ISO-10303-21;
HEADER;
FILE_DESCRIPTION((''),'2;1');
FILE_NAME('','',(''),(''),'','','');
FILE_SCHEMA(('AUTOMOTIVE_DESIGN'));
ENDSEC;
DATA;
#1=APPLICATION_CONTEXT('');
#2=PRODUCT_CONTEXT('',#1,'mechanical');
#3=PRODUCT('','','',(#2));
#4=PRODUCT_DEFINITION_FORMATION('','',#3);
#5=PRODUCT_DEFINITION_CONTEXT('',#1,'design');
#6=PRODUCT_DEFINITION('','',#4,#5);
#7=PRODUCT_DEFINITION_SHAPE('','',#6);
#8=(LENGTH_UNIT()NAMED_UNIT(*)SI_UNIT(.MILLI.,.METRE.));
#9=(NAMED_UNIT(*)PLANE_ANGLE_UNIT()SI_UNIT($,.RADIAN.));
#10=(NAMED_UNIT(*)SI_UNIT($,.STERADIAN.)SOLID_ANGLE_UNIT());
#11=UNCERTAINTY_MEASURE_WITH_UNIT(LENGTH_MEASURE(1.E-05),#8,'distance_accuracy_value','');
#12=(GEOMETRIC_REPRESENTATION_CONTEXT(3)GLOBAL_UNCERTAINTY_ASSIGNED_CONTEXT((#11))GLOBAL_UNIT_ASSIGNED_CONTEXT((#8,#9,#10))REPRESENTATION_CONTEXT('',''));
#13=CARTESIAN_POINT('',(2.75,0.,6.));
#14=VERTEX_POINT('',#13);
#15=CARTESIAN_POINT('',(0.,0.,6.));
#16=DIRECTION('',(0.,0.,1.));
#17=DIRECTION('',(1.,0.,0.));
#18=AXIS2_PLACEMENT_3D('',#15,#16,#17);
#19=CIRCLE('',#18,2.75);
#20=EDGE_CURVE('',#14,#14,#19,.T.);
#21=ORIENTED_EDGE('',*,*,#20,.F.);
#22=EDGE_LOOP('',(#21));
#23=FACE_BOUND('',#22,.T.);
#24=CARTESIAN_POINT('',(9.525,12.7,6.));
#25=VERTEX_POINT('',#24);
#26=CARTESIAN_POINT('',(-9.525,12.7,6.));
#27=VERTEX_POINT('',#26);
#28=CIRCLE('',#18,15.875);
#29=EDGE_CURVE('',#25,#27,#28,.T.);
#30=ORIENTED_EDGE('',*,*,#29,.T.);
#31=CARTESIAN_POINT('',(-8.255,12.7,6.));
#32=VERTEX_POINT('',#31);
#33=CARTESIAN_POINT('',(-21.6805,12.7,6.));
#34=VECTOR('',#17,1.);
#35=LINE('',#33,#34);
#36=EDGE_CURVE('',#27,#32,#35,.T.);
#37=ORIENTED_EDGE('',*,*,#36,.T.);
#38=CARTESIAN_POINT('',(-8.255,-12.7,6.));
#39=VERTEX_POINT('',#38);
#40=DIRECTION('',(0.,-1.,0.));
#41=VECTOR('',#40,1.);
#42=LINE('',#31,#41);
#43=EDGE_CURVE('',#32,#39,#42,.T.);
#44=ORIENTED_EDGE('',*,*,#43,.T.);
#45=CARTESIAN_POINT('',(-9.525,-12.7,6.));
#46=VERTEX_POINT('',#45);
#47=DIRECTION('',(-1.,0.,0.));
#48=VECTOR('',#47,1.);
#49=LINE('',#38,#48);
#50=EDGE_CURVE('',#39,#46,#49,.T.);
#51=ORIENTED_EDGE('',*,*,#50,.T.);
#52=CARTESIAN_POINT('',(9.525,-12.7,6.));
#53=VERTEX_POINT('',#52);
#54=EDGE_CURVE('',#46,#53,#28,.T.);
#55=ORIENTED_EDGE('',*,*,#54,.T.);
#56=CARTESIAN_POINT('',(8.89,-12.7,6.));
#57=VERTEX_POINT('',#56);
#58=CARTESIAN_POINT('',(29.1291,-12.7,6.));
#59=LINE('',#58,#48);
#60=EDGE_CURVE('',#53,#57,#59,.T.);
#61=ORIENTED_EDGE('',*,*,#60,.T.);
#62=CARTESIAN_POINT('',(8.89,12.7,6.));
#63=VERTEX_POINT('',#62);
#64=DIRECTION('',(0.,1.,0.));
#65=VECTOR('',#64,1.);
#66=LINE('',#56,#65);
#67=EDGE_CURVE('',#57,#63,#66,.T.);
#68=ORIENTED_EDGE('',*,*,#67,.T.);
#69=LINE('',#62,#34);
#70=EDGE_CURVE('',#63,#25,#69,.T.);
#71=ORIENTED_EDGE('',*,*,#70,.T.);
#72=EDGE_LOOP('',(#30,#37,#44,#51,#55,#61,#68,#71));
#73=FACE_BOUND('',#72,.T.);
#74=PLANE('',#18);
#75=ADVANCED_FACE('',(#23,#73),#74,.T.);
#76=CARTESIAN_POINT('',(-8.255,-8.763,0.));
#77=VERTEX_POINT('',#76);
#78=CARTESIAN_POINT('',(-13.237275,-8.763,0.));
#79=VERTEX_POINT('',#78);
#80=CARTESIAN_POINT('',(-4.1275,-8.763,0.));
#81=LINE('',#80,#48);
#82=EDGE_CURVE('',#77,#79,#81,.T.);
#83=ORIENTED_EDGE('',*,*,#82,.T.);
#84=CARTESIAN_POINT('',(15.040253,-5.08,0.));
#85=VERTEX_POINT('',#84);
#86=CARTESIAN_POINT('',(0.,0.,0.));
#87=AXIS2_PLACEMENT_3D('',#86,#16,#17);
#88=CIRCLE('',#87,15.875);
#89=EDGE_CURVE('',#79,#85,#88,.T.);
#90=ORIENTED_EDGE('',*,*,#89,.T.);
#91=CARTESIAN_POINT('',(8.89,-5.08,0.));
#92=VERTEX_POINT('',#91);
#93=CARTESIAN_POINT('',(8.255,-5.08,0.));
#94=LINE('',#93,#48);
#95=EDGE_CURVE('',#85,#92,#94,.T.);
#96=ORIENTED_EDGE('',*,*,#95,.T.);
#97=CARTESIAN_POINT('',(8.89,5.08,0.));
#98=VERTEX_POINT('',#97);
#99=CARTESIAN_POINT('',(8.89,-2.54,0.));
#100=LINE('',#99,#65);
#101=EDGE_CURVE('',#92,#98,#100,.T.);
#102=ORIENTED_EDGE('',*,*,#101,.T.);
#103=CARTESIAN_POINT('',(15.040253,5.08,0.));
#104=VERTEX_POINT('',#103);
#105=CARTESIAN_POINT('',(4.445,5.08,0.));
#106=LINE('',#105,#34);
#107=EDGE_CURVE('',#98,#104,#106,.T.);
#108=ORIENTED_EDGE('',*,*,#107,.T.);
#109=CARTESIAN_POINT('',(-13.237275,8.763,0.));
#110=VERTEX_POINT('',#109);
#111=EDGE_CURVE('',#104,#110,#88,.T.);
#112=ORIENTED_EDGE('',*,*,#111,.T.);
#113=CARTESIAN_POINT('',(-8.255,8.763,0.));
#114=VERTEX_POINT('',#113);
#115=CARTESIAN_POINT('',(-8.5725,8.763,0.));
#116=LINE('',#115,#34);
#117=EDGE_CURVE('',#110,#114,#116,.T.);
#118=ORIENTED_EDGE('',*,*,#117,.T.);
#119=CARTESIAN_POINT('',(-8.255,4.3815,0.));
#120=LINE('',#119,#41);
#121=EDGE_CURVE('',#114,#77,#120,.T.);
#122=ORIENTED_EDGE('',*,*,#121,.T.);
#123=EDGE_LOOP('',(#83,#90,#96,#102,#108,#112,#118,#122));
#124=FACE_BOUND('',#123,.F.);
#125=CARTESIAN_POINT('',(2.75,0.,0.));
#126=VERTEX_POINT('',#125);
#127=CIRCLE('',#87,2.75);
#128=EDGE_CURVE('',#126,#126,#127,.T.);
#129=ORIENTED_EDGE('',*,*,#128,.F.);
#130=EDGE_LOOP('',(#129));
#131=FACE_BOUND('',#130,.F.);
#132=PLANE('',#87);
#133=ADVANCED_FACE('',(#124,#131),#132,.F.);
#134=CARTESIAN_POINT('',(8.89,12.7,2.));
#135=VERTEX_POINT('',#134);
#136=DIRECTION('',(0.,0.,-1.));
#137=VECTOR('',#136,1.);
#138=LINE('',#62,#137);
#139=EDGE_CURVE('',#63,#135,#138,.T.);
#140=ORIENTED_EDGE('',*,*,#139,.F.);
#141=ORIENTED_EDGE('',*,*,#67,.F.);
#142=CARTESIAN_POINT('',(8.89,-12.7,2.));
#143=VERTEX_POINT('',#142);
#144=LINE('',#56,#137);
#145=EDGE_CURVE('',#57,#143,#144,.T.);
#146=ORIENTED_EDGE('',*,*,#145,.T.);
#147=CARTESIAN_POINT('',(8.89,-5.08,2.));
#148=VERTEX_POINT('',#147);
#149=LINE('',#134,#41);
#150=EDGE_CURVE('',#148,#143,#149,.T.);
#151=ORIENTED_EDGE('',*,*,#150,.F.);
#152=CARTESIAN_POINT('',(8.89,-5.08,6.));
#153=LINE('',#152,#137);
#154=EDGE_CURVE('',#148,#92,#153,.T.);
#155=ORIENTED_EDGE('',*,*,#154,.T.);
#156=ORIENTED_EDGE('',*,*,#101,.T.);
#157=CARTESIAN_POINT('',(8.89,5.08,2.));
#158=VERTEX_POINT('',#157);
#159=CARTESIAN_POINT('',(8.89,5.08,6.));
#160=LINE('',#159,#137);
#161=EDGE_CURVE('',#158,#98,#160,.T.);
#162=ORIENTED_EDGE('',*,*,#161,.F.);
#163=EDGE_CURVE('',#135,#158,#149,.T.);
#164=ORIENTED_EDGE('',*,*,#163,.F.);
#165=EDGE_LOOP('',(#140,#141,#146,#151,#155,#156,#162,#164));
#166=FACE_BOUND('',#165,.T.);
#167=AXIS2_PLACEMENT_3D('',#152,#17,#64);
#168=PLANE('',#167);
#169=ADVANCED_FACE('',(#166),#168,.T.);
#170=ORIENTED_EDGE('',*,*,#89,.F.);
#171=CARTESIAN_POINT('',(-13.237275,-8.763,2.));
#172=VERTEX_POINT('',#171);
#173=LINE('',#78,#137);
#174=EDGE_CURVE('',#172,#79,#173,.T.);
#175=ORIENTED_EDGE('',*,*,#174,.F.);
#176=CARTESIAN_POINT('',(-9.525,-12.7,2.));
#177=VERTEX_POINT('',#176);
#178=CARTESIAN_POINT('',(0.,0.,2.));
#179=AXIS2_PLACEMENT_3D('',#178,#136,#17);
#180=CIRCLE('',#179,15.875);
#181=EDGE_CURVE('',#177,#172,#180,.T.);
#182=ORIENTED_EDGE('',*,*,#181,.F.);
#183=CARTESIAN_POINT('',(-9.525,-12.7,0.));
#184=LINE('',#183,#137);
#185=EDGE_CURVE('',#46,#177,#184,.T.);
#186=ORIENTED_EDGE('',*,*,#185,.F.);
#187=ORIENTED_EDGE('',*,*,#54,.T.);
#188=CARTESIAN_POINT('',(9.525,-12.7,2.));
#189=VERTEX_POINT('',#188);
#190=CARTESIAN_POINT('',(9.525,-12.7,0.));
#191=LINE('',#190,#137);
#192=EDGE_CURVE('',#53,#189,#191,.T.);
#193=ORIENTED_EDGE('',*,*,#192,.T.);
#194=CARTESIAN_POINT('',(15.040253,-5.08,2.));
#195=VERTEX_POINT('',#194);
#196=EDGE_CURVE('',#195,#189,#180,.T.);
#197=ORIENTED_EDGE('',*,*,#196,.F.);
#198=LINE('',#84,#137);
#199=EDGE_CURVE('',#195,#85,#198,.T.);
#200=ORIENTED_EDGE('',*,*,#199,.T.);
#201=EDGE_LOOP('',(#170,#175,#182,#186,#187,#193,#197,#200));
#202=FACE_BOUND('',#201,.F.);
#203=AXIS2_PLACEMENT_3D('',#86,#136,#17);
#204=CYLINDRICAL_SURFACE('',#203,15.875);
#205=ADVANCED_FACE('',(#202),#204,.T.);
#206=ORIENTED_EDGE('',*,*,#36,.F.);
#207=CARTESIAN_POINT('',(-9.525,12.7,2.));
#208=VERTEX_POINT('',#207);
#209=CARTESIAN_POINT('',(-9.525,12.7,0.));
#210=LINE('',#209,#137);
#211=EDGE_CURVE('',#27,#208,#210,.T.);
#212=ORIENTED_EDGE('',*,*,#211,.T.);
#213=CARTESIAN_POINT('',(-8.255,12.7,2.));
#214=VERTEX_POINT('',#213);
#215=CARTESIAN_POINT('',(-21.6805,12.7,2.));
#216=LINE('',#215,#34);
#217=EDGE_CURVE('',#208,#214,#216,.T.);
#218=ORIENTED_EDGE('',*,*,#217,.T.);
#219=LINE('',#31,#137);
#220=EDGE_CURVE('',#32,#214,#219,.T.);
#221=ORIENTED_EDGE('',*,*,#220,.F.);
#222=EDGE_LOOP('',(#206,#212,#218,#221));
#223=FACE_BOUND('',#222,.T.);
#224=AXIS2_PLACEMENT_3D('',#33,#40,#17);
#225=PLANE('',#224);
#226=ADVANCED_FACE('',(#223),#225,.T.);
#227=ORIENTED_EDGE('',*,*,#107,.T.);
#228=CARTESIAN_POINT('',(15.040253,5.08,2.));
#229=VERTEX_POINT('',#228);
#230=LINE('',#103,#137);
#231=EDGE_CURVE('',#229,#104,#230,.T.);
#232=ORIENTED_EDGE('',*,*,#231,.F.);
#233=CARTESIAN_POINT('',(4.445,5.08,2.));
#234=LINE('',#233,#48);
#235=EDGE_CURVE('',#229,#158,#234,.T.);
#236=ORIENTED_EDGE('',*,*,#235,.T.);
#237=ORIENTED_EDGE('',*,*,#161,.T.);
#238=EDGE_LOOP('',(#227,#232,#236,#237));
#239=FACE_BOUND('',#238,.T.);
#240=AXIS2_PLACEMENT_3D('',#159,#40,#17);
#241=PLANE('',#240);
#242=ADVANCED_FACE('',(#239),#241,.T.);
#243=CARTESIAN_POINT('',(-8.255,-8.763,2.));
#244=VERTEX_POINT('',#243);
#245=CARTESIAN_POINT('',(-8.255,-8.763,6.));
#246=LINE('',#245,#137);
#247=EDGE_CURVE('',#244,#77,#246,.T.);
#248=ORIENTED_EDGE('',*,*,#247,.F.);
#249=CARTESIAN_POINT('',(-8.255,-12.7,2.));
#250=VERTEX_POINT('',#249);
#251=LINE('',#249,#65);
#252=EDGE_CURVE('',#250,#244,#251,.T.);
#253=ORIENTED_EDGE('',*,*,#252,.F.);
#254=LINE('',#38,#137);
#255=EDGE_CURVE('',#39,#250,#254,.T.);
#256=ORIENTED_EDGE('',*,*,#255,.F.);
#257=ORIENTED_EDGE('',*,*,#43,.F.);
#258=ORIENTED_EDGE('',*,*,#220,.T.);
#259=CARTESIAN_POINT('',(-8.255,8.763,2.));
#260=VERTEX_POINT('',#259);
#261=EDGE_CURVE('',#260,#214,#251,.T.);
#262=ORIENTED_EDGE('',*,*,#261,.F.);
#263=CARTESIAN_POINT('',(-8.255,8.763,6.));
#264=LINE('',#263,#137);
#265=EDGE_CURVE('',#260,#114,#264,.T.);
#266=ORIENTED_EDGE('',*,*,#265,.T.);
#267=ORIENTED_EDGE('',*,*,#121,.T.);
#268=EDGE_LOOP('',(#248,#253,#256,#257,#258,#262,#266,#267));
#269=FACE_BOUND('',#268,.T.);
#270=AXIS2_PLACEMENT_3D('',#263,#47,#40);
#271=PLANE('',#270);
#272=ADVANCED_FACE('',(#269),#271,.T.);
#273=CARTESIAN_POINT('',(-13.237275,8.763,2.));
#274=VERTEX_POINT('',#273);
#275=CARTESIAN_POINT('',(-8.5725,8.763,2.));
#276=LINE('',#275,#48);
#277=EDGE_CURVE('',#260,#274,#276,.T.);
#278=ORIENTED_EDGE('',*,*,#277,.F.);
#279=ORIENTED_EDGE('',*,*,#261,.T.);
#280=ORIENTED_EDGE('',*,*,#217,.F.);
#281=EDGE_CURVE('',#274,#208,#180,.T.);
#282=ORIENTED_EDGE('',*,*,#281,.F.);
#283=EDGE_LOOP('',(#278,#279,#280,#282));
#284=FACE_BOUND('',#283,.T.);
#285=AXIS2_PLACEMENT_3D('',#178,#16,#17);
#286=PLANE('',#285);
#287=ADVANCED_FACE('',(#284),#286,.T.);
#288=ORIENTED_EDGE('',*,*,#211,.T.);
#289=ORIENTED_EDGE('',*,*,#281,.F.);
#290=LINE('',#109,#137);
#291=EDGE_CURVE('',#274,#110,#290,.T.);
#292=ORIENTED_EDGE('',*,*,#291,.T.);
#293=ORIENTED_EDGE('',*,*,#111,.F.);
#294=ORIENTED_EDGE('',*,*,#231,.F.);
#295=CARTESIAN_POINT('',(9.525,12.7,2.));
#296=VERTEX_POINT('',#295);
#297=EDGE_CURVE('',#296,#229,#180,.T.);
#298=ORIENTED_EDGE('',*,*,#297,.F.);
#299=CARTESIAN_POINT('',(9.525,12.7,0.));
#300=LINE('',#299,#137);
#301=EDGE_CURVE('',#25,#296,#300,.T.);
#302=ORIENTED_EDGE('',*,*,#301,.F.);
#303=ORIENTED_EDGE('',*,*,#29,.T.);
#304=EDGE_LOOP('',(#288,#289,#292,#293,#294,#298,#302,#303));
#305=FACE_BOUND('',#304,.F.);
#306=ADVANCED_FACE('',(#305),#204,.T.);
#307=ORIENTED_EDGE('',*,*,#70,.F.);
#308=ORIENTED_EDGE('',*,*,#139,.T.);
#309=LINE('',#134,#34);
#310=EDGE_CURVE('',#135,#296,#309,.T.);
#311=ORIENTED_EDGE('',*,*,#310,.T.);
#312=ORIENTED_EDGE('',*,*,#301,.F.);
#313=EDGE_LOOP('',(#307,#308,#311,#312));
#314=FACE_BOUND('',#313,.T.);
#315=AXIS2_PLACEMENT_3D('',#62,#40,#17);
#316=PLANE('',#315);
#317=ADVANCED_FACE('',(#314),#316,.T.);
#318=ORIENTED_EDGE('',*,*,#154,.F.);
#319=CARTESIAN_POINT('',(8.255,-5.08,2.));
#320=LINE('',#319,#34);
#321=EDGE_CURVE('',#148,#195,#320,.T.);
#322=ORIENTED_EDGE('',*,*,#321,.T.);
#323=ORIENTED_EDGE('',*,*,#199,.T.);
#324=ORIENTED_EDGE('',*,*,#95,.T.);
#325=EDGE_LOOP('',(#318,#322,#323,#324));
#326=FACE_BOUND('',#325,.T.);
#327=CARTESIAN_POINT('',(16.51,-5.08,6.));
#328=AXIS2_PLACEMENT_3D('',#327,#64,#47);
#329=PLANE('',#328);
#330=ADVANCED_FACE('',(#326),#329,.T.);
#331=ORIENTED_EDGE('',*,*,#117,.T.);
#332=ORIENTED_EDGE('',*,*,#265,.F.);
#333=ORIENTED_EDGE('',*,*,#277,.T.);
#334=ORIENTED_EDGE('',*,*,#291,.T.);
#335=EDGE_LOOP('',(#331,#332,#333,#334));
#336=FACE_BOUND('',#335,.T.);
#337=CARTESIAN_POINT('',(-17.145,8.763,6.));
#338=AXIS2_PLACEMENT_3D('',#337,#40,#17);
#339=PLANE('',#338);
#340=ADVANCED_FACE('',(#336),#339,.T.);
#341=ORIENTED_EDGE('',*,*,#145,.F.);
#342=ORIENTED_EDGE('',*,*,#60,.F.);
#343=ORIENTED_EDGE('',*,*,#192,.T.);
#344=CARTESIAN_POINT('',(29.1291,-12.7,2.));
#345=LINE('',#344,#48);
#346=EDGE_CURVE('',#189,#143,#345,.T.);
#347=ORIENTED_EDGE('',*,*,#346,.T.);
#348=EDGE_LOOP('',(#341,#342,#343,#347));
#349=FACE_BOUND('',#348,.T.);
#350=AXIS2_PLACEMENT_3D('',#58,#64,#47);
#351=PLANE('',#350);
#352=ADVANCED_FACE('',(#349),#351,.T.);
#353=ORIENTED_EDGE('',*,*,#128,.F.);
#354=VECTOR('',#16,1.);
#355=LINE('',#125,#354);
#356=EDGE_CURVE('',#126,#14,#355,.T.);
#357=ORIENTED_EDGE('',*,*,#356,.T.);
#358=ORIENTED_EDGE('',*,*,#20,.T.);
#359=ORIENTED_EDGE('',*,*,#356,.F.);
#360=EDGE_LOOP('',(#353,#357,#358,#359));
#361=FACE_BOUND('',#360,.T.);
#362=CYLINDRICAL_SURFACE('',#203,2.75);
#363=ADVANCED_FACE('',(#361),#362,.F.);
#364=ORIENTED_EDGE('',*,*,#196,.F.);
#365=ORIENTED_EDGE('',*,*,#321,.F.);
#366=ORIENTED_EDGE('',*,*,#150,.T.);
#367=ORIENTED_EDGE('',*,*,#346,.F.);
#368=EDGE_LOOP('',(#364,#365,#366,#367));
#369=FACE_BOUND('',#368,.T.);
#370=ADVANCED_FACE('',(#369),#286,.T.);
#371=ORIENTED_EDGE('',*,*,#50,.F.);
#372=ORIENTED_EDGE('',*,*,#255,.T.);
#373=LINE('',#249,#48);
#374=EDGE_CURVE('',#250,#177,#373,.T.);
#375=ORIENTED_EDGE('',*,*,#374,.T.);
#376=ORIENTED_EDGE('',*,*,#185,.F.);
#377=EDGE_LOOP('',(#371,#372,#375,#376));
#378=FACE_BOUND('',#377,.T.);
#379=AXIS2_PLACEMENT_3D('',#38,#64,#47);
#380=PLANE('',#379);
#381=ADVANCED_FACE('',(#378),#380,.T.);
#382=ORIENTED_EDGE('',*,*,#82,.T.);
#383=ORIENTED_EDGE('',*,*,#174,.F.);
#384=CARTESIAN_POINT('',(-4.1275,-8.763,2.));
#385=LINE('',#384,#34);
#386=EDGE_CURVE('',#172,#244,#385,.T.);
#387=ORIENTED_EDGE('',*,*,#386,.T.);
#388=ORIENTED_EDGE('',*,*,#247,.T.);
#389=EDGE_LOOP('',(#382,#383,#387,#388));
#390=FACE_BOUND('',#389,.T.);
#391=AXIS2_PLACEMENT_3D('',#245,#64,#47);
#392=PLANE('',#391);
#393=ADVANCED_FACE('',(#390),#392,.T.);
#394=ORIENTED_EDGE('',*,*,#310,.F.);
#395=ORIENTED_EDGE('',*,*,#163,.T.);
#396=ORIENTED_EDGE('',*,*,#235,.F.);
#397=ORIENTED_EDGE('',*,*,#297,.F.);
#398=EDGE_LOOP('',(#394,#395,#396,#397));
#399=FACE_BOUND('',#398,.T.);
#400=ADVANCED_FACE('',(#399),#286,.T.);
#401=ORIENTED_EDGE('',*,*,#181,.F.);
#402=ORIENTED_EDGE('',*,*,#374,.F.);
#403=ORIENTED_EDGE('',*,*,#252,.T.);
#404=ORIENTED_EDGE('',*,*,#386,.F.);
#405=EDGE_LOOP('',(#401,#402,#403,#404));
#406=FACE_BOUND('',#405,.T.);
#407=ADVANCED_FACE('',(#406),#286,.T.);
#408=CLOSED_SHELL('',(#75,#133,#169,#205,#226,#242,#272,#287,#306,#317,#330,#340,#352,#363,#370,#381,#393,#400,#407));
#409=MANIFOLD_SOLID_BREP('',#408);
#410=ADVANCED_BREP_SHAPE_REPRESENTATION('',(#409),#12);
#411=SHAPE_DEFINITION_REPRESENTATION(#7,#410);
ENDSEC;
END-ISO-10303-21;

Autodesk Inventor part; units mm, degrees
ref_plane "YZ Plane" through (0, 0, 0) normal (1, 0, 0) x (0, 1, 0)
ref_plane "XZ Plane" through (0, 0, 0) normal (0, 1, 0) x (-1, 0, 0)
ref_plane "XY Plane" through (0, 0, 0) normal (0, 0, 1) x (1, 0, 0)
sketch "Sketch1" plane through (0, 0, 0) normal (0, 0, 1) x (1, 0, 0)
  circle A0 centre (0, 0) radius 15.875
  circle A1 centre (0, 0) radius 2.75
  dimension "d0" = 31.75
  dimension "d1" = 5.5
extrude "Extrusion1" add sketch "Sketch1" along normal blind 6
sketch "Sketch2" plane through (0, 0, 6) normal (0, 0, 1) x (1, 0, 0)
  line L0 (-17.145, 8.763) -> (-8.255, 8.763)
  line L1 (-8.255, 8.763) -> (-8.255, -8.763)
  line L2 (-8.255, -8.763) -> (-17.145, -8.763)
  line L3 (-17.145, -8.763) -> (-17.145, 8.763)
  line L4 (8.89, 5.08) -> (16.51, 5.08)
  line L5 (16.51, 5.08) -> (16.51, -5.08)
  line L6 (16.51, -5.08) -> (8.89, -5.08)
  line L7 (8.89, -5.08) -> (8.89, 5.08)
  line L8 (-12.7, 8.763) -> (-12.7, -8.763) construction
  line L9 (12.7, 5.08) -> (12.7, -5.08) construction
  point P0 (0, 0)
  point P1 (-8.255, 0)
  point P2 (8.89, 0)
  dimension "d4" = 8.89
  dimension "d5" = 7.62
  dimension "d6" = 10.16
  dimension "d7" = 12.7
  dimension "d8" = 12.7
  dimension "d9" = 17.526
extrude "Extrusion2" cut sketch "Sketch2" against normal through all
sketch "Sketch3" plane through (0, 0, 6) normal (0, 0, 1) x (1, 0, 0)
  line L0 (-21.6805, 12.7) -> (-8.255, 12.7)
  line L1 (-8.255, 12.7) -> (-8.255, -12.7)
  line L2 (-8.255, -12.7) -> (-21.6805, -12.7)
  line L3 (-21.6805, -12.7) -> (-21.6805, 12.7)
  line L4 (-8.255, 8.763) -> (-8.255, -8.763) projected
  line L5 (8.89, 12.7) -> (29.1291, 12.7)
  line L6 (29.1291, 12.7) -> (29.1291, -12.7)
  line L7 (29.1291, -12.7) -> (8.89, -12.7)
  line L8 (8.89, -12.7) -> (8.89, 12.7)
  line L9 (8.89, -5.08) -> (8.89, 5.08) projected
  point P0 (0, 0)
  point P1 (-21.6805, 0)
  dimension "d12" = 25.4
extrude "Extrusion3" cut sketch "Sketch3" against normal blind 4
equation "\"d8\" = d7"
properties part number "fakebattergasket3"
